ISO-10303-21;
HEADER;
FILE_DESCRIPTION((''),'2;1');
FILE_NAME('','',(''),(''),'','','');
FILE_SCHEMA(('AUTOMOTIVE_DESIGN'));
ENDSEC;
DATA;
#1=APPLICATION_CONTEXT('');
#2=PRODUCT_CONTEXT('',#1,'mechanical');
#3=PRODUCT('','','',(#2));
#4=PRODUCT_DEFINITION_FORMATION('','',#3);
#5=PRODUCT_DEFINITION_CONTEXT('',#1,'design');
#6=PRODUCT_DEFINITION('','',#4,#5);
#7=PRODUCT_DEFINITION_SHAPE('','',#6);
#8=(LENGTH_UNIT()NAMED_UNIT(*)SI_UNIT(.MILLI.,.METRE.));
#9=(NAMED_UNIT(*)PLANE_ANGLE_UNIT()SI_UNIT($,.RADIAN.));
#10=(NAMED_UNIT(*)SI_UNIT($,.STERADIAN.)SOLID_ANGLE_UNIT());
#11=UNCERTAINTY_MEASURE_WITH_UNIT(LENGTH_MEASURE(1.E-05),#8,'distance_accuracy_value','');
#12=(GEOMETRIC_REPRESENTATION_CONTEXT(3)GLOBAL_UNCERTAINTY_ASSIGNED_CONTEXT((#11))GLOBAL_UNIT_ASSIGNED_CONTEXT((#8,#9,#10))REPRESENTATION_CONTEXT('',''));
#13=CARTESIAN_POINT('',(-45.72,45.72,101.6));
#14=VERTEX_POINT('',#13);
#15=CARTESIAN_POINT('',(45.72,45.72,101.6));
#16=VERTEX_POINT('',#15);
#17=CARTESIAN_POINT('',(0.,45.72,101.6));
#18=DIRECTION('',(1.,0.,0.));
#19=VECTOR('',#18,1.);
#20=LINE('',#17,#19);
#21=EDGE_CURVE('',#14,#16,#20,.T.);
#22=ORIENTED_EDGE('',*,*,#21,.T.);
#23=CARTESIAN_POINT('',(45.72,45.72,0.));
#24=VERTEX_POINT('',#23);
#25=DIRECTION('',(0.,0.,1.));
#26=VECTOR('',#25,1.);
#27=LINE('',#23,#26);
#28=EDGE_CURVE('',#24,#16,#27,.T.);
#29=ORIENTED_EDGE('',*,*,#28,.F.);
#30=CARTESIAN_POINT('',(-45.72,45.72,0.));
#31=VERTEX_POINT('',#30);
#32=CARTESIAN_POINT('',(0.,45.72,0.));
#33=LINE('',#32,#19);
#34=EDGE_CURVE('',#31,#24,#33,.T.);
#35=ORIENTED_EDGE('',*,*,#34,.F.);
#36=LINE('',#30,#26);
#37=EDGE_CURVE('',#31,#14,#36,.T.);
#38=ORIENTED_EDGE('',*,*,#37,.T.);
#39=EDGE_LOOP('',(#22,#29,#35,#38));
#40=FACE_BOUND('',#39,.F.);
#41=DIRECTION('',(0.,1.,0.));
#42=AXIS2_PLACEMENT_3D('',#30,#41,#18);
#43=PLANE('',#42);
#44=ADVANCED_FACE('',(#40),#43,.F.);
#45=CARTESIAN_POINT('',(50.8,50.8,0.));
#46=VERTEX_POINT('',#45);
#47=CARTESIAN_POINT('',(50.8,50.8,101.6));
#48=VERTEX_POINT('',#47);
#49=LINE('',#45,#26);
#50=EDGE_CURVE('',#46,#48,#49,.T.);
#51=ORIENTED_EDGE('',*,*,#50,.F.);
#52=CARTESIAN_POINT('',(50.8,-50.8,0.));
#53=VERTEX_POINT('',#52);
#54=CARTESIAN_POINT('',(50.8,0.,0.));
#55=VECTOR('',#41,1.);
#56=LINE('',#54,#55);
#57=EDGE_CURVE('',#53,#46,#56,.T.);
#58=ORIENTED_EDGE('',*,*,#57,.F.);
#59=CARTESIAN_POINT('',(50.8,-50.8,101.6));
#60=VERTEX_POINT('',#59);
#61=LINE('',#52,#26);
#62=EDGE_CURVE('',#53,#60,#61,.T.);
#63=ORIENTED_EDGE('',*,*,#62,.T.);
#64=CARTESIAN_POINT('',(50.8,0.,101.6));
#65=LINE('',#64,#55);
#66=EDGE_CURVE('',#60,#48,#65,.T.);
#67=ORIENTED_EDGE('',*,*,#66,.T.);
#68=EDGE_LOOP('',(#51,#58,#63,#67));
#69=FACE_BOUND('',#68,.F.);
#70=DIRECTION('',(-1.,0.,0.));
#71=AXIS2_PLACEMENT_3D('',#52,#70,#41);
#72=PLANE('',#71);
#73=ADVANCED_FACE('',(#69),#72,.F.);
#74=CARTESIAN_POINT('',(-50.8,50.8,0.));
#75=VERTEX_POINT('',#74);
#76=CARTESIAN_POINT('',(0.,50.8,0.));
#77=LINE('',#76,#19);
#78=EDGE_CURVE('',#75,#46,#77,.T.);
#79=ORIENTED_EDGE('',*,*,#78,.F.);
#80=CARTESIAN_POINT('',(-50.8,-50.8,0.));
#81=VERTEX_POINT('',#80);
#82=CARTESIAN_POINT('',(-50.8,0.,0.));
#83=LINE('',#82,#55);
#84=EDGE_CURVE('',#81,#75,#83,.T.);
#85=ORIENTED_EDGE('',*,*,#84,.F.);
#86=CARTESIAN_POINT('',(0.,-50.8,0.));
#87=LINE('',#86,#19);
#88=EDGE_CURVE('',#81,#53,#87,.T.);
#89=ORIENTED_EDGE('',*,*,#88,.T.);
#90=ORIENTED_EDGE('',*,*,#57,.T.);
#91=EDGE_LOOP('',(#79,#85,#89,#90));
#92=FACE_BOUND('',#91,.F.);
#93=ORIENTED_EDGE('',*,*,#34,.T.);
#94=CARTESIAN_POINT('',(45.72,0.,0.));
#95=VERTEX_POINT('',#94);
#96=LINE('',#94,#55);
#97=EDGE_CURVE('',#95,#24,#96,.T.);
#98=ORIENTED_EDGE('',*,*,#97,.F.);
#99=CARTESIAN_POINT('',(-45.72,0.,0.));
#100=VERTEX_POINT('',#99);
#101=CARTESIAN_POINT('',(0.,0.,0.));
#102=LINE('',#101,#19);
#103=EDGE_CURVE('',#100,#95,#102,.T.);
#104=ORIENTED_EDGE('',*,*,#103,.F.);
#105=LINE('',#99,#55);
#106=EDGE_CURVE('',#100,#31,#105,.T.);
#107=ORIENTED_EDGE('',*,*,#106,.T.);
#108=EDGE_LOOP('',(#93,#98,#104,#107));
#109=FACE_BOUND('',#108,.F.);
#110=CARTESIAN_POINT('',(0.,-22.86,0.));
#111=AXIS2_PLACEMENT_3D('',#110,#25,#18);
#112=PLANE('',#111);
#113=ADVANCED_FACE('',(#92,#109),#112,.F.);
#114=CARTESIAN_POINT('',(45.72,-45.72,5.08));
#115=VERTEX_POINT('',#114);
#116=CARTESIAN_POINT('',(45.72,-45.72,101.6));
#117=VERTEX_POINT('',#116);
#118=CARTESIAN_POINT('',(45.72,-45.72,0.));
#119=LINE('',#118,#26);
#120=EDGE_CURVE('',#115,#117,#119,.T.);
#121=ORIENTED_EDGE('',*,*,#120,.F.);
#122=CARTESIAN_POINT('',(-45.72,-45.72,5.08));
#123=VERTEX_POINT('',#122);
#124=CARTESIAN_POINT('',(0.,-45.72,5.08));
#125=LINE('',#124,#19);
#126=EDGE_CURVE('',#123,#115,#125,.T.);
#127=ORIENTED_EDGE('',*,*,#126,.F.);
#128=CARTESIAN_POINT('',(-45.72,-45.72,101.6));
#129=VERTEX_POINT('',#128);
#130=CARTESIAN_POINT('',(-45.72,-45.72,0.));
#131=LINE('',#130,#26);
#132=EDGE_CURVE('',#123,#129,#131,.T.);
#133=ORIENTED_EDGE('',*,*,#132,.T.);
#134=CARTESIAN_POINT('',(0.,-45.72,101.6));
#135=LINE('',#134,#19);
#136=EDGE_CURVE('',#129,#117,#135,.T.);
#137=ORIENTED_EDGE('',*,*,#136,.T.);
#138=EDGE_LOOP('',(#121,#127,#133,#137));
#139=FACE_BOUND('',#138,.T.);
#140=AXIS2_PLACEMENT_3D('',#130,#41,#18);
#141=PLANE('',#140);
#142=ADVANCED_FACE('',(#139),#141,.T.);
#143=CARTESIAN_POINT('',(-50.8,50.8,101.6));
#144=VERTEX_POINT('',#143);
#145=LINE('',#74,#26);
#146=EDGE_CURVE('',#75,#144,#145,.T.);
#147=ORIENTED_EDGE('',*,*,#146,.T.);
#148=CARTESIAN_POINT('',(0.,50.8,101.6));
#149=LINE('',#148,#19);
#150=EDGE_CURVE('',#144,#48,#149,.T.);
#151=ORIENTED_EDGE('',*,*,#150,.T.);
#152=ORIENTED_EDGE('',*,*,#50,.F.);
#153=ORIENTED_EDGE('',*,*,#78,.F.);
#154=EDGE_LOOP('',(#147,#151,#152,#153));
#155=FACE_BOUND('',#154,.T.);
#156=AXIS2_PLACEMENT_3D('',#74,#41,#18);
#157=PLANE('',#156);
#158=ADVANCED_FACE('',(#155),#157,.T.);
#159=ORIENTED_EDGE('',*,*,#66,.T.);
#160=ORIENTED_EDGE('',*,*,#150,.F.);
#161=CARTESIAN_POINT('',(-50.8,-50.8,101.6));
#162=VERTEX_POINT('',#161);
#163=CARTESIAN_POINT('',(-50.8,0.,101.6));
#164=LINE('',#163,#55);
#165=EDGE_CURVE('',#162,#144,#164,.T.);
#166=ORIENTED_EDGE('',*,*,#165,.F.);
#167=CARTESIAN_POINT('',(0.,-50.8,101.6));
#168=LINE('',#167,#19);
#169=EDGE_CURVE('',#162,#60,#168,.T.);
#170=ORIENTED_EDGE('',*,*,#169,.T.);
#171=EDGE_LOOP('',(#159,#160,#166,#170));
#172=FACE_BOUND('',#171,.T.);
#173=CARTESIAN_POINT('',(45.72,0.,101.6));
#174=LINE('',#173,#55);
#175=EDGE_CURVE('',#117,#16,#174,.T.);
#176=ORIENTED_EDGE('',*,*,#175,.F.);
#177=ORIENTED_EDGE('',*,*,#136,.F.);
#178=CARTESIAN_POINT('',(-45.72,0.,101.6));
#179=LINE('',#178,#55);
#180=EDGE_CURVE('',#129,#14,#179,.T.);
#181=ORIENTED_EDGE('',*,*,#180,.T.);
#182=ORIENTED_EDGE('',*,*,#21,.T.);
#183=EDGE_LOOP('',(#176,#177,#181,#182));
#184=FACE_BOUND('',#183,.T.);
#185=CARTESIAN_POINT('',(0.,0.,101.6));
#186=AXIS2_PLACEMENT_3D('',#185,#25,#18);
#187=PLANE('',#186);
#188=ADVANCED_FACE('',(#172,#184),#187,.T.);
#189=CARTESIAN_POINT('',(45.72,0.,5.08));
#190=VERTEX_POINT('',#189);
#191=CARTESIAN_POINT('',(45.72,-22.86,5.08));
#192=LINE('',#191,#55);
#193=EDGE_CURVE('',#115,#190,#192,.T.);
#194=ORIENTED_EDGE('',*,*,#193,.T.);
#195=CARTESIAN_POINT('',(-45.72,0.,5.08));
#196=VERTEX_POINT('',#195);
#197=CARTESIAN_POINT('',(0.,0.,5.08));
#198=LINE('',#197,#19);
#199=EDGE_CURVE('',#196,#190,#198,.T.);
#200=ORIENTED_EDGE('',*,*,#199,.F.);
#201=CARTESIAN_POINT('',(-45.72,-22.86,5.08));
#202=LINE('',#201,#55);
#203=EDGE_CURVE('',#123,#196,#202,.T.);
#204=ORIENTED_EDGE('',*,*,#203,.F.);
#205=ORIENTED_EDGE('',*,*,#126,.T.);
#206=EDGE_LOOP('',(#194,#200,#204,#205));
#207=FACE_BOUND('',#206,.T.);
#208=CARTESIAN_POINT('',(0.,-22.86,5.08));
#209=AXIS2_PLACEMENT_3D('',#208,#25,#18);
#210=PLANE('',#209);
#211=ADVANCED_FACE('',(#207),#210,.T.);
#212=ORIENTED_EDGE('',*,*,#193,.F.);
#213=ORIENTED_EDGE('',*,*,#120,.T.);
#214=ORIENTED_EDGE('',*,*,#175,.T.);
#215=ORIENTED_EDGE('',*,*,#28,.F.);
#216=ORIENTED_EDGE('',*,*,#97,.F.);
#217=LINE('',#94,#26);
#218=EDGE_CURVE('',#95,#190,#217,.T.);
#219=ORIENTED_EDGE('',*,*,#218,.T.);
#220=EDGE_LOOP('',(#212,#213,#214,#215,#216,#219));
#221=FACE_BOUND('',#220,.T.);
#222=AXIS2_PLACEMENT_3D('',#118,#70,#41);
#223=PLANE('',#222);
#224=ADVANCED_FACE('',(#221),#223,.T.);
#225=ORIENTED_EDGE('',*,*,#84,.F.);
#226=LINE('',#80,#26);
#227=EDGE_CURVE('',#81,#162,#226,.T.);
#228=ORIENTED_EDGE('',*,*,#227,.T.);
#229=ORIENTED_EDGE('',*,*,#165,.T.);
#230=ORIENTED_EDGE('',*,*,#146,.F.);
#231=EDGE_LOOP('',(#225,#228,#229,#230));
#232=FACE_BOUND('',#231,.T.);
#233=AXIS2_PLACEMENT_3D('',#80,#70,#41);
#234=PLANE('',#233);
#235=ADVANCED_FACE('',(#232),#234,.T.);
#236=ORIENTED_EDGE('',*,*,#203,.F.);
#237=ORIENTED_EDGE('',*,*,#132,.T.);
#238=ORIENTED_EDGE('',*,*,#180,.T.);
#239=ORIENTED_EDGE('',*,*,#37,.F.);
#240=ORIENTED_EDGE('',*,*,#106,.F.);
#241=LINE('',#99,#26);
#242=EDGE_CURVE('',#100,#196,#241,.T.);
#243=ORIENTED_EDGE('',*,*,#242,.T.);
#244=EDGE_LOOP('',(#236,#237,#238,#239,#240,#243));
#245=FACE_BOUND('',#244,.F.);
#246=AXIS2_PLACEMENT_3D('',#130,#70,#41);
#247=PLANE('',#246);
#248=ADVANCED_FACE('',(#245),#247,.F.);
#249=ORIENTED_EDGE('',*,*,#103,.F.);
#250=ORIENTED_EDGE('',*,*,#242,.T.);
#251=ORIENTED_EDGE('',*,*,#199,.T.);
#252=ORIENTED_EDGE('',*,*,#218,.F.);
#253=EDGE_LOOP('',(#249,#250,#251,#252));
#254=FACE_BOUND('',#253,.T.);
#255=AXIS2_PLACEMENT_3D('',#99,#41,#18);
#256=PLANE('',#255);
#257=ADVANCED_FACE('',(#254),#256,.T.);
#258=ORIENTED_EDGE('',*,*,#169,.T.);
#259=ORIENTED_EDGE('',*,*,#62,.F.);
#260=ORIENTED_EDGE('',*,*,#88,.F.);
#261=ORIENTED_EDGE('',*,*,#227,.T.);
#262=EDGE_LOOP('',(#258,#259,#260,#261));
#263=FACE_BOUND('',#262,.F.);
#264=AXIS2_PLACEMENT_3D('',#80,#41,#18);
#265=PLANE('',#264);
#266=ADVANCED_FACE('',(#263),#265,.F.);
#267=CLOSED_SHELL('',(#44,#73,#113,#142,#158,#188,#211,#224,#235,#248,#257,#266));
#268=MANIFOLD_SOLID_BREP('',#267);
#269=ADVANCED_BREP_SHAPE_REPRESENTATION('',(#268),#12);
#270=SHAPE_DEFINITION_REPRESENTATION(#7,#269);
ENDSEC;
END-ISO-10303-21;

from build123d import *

# Parameters (mm, degrees)
F0_W     = 101.6
F0_H     = 101.6
F0_W_2   = 91.44
F0_H_2   = 91.44
F2_DEPTH = 101.6
F1_W     = 91.44
F1_H     = 45.72
F3_DEPTH = 5.08


with BuildPart() as f2:
    # F0 (on Top) → F2 (new body)
    with BuildSketch(Plane.XY):
        Rectangle(F0_W, F0_H)
        Rectangle(F0_W_2, F0_H_2, mode=Mode.SUBTRACT)
    extrude(amount=F2_DEPTH)

    # F1 (on face) → F3 (join)
    with BuildSketch(Plane.XY):
        with Locations((0, -22.86)):
            Rectangle(F1_W, F1_H)
    extrude(amount=F3_DEPTH)


solid = f2.part
